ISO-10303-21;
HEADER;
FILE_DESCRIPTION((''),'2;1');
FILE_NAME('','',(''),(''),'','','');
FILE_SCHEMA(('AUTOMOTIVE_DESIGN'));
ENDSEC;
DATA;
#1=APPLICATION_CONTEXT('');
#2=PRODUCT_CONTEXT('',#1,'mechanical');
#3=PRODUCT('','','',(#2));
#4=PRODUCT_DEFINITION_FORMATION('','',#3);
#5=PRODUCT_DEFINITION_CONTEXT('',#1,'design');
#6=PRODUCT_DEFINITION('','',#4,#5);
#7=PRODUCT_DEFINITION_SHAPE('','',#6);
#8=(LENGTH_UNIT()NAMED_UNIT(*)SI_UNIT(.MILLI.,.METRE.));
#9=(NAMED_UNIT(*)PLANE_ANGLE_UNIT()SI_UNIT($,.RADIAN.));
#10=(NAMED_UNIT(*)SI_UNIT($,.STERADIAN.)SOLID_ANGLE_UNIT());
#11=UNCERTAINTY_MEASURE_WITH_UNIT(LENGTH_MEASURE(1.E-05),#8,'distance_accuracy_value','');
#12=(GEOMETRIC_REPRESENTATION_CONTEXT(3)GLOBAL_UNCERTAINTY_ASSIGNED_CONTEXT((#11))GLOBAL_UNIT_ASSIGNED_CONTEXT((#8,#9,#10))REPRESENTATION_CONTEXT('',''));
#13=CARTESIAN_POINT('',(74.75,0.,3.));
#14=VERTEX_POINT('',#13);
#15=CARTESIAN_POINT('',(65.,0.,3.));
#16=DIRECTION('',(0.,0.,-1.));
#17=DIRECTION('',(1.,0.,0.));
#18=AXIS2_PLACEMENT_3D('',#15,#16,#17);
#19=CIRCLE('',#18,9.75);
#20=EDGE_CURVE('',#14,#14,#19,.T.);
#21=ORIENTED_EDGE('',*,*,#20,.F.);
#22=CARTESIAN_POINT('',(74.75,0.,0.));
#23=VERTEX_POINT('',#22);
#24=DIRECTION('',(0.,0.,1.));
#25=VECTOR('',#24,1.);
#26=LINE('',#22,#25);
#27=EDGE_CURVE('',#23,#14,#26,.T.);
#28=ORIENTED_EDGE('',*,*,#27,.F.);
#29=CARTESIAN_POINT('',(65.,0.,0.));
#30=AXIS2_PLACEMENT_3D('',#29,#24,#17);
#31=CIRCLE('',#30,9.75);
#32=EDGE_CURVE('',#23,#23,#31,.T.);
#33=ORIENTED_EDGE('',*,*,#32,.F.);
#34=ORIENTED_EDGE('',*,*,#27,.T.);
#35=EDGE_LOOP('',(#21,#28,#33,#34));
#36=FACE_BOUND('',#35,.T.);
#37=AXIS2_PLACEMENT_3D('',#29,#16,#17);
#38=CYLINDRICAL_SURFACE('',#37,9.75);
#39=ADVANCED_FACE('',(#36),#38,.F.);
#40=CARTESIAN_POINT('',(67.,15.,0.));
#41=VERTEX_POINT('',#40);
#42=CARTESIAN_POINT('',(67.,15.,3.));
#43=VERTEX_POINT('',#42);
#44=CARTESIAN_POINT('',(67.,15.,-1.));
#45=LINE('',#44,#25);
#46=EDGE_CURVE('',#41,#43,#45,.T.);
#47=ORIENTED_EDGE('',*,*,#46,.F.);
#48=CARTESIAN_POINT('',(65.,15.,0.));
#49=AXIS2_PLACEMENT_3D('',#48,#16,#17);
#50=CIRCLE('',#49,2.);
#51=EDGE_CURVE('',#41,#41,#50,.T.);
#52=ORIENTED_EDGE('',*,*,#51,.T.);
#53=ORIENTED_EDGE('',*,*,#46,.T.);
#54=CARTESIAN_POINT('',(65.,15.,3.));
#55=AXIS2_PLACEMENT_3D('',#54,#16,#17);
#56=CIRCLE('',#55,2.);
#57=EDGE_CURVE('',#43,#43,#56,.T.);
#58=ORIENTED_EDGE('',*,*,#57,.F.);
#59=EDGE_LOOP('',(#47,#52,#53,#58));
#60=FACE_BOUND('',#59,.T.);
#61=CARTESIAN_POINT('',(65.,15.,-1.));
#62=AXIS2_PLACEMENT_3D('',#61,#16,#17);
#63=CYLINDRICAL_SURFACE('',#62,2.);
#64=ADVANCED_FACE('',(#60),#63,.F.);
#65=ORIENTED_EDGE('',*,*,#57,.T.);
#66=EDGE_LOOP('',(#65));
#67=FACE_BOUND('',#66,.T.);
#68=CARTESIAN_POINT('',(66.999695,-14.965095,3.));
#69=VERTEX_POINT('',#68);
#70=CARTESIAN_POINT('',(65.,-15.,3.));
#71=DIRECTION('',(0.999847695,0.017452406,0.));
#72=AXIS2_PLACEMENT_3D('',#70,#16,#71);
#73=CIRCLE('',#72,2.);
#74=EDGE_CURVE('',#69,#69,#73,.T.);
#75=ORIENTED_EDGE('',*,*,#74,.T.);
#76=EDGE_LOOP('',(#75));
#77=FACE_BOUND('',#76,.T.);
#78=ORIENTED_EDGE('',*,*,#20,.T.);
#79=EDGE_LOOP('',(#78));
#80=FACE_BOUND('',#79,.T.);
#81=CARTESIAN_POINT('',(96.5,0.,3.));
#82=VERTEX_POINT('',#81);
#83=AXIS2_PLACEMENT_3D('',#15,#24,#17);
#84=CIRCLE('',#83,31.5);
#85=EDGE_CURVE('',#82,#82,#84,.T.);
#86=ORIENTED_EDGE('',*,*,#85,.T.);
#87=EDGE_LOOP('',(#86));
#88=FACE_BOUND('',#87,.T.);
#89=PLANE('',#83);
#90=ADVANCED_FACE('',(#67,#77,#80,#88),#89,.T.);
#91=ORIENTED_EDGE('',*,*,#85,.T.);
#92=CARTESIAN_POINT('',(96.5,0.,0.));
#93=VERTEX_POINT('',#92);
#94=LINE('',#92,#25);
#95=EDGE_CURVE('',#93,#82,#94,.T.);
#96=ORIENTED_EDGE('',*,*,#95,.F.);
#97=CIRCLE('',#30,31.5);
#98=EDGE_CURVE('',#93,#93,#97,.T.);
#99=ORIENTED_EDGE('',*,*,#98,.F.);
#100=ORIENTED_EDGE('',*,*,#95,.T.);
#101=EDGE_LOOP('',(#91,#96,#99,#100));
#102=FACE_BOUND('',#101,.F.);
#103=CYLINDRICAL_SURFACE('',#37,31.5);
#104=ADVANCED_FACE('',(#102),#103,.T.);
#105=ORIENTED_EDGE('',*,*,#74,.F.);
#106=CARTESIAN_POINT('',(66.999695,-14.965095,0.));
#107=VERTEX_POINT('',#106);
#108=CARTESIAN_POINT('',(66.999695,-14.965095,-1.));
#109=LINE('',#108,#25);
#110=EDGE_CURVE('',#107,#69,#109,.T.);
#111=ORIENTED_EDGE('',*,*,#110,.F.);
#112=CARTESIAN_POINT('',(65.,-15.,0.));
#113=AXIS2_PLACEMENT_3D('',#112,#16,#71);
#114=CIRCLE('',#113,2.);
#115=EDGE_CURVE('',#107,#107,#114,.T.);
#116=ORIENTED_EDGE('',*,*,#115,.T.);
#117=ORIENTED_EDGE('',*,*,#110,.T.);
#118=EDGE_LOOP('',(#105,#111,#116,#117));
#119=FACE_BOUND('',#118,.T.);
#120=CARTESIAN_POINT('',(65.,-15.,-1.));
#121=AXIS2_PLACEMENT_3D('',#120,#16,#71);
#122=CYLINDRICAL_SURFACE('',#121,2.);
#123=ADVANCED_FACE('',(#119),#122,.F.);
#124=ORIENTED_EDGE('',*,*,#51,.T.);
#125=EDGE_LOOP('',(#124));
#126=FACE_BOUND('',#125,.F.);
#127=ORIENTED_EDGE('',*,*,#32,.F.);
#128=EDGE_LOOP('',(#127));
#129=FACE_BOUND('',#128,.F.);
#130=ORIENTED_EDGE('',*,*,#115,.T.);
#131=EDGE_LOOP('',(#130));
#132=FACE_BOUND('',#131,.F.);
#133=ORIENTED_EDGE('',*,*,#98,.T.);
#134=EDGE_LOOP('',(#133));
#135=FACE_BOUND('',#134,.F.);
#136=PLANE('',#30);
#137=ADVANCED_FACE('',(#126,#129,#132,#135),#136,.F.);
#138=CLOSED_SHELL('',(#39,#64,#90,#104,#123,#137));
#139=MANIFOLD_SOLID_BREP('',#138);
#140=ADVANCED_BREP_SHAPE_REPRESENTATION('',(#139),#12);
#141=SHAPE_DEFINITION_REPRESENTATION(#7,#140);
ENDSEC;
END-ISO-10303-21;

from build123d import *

# Parameters (mm, degrees)
CYLINDER012_R               = 2
CYLINDER012_DEPTH           = 15
CYLINDER012_PLACEMENT_ANGLE = 1
CYLINDER013_R               = 2
CYLINDER013_DEPTH           = 15
CYLINDER006_R               = 9.75
CYLINDER006_DEPTH           = 6
CYLINDER004_R               = 31.5
CYLINDER004_DEPTH           = 3


with BuildPart() as cylinder012:
    # Cylinder012 → Cylinder012 (new body)
    with BuildSketch(Plane.XY):
        Circle(CYLINDER012_R)
    extrude(amount=CYLINDER012_DEPTH)


with BuildPart() as cylinder012_1:
    # Cylinder012 placement: moved
    add(cylinder012.part.moved(Location((0, -15, -1))).rotate(Axis((0, -15, -1), (0, 0, 1)), CYLINDER012_PLACEMENT_ANGLE))


with BuildPart() as fusion004:
    # Cylinder013 → Cylinder013 (new body)
    with BuildSketch(Plane(origin=(0, 15, -1), x_dir=(1, 0, 0), z_dir=(0, 0, 1))):
        Circle(CYLINDER013_R)
    extrude(amount=CYLINDER013_DEPTH)

    # Fusion004: union Cylinder012
    add(cylinder012_1.part)


with BuildPart() as cylinder006:
    # Cylinder006 → Cylinder006 (new body)
    with BuildSketch(Plane.XY):
        Circle(CYLINDER006_R)
    extrude(amount=CYLINDER006_DEPTH)


with BuildPart() as end_flange001:
    # Cylinder004 → Cylinder004 (new body)
    with BuildSketch(Plane.XY):
        Circle(CYLINDER004_R)
    extrude(amount=CYLINDER004_DEPTH)

    # Cut001: cut Cylinder006
    add(cylinder006.part, mode=Mode.SUBTRACT)

    # Cut009: cut Fusion004
    add(fusion004.part, mode=Mode.SUBTRACT)


with BuildPart() as end_flange001_1:
    # Cut009 placement: moved
    add(end_flange001.part.moved(Location((65, 0, 0))))


solid = end_flange001_1.part
